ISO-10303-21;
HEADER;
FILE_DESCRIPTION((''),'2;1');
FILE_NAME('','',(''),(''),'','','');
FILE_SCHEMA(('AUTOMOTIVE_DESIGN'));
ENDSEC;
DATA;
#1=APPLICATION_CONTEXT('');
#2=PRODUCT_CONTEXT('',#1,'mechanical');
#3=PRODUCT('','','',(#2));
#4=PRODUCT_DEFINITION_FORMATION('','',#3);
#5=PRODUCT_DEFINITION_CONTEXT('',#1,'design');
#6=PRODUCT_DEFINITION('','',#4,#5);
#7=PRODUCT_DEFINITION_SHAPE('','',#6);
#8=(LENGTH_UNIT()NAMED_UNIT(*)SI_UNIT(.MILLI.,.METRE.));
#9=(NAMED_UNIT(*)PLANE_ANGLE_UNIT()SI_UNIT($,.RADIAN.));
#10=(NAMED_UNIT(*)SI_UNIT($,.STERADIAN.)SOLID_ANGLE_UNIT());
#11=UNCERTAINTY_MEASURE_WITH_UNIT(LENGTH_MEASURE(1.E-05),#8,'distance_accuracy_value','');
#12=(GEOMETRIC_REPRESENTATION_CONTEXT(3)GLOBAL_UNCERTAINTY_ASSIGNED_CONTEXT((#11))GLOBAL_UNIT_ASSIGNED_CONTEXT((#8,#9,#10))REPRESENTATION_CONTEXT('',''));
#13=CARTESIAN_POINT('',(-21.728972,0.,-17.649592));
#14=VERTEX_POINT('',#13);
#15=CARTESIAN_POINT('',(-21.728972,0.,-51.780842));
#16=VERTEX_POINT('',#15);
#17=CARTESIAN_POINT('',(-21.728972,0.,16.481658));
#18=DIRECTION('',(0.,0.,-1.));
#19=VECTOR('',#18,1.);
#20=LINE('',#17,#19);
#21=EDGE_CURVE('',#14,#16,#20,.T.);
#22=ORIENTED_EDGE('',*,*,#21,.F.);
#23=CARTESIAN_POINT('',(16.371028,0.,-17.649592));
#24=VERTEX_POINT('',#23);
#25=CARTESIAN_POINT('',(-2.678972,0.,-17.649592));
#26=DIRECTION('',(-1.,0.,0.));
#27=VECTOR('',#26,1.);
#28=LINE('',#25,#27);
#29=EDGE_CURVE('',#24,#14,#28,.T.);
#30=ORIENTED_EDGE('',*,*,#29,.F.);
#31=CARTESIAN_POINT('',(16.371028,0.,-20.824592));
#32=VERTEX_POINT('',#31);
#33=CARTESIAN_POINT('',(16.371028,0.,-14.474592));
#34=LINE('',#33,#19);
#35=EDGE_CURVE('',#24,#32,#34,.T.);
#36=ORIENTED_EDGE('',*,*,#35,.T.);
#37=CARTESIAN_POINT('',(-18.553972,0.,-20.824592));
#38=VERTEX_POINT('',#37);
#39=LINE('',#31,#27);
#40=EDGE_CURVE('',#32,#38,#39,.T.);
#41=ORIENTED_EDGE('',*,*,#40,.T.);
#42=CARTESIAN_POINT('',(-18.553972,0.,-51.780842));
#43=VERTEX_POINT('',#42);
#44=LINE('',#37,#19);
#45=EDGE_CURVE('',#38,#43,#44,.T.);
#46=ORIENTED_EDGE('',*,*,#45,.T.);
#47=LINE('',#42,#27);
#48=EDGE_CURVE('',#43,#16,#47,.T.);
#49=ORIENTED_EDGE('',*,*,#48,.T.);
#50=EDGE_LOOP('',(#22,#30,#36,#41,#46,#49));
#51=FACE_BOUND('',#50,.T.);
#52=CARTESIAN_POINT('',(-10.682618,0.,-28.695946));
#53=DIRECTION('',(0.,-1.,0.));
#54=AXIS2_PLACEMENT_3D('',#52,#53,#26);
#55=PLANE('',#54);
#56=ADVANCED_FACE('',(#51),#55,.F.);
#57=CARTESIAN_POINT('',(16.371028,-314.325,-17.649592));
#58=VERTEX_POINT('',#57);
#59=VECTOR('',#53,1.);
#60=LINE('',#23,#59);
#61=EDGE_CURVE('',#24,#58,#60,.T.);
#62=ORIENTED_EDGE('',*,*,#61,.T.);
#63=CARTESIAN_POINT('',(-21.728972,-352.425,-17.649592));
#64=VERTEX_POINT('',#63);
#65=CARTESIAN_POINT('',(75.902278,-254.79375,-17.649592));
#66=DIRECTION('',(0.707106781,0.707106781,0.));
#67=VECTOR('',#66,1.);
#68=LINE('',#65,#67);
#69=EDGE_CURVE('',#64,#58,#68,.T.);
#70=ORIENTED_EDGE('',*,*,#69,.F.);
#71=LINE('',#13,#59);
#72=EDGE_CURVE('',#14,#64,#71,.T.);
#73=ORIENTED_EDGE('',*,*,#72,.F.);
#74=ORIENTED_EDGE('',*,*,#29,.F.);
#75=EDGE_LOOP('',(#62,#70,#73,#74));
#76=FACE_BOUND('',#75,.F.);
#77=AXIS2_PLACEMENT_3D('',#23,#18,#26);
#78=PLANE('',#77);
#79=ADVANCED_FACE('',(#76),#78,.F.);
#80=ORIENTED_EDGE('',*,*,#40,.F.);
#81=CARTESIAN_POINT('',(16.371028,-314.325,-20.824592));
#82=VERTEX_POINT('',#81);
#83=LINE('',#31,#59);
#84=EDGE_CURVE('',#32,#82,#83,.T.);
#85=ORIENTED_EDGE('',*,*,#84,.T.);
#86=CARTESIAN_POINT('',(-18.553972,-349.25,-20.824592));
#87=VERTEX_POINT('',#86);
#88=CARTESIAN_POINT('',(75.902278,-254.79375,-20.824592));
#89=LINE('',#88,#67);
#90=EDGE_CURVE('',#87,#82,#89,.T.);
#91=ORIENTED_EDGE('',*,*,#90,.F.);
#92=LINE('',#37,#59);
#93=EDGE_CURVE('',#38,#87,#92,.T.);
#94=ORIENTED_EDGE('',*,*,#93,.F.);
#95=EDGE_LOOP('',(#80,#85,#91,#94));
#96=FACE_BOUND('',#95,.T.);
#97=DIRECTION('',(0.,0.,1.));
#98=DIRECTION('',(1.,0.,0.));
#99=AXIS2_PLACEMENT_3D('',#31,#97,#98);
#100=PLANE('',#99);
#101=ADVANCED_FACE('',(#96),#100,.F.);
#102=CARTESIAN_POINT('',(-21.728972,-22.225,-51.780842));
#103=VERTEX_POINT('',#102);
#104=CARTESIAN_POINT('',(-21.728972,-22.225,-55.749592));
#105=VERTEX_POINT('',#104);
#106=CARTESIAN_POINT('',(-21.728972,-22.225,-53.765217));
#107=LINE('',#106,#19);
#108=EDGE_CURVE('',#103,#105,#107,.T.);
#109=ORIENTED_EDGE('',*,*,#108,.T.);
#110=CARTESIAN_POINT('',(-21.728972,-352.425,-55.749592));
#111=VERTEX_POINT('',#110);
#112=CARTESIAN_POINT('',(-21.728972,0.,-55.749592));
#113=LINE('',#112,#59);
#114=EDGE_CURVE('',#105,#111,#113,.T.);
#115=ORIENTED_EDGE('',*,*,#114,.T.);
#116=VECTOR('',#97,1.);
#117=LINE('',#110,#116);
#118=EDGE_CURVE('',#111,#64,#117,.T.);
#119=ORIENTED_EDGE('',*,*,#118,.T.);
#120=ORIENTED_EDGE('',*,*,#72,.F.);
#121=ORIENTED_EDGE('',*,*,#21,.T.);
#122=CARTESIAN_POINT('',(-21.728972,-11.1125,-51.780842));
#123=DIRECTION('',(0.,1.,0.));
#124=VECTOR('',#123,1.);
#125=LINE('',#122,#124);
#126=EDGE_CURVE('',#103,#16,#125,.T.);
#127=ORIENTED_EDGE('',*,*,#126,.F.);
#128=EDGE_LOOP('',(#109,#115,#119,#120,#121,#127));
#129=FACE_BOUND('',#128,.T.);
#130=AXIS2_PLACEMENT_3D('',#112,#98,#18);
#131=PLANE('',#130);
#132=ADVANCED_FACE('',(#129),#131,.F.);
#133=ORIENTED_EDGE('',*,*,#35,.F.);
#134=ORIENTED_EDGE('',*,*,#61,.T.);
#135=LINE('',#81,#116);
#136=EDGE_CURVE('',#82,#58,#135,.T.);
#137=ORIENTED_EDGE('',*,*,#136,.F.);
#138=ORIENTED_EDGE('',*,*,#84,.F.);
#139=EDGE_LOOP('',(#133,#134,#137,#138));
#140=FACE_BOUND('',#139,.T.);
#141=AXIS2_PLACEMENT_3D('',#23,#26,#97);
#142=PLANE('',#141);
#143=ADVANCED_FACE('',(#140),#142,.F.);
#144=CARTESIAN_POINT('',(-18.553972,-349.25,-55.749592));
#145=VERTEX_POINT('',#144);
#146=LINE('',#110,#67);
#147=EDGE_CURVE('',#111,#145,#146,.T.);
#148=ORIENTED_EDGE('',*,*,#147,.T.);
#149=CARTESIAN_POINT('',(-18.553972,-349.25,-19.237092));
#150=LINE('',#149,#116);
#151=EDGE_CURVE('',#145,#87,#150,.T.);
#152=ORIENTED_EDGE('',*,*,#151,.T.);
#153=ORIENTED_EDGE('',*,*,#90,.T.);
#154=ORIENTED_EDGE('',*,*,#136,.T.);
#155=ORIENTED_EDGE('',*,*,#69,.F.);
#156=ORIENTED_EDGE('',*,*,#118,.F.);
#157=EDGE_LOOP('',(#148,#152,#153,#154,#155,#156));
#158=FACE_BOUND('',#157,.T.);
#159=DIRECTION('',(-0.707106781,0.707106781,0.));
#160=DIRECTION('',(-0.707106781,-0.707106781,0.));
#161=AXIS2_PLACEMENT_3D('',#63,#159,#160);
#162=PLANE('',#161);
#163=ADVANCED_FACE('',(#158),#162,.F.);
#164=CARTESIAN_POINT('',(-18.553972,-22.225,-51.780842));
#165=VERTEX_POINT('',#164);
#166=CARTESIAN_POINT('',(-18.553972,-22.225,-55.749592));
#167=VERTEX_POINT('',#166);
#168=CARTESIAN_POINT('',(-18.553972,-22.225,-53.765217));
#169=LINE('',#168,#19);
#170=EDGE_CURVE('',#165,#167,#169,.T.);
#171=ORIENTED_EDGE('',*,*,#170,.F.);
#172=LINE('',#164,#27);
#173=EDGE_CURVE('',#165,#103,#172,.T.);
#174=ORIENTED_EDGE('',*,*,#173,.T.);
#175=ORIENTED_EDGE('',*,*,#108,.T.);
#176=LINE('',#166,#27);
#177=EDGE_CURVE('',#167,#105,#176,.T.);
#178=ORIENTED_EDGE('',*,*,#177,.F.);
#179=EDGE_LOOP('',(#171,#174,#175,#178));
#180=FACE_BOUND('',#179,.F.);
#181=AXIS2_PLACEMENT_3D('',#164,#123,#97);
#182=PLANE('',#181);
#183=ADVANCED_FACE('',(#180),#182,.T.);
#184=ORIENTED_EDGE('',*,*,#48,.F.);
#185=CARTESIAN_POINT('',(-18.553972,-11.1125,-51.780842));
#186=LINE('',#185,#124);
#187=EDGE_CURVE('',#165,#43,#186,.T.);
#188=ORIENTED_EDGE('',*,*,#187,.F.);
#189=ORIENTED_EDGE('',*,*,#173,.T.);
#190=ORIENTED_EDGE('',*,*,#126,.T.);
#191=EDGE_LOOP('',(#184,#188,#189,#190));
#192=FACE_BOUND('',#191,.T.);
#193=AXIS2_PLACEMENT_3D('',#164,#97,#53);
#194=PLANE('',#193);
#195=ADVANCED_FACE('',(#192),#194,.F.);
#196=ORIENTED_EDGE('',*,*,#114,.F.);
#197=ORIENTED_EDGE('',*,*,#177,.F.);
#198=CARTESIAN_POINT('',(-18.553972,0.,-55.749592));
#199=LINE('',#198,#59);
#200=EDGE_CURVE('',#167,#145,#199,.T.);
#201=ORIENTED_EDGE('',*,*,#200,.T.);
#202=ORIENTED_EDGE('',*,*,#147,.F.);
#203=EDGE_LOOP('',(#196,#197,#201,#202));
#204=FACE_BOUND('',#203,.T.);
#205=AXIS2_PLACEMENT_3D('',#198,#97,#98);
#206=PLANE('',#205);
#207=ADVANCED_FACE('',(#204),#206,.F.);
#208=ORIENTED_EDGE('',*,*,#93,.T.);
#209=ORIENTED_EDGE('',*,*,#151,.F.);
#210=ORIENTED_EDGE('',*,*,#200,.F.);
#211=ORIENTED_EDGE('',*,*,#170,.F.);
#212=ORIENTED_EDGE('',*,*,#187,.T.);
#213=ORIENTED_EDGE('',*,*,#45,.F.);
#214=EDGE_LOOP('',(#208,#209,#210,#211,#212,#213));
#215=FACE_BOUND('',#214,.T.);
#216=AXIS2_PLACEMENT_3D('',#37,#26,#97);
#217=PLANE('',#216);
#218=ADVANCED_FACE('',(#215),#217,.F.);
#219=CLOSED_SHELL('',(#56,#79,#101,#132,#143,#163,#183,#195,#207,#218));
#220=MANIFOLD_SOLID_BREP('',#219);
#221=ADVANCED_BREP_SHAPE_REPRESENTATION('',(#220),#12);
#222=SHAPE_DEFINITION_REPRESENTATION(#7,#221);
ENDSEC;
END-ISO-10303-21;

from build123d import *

# Parameters (mm, degrees)
F1_DEPTH = 352.425
F2_W     = 22.225
F2_H     = 3.96875
F3_DEPTH = 25.4
F5_DEPTH = 38.1
F7_W     = 38.1
F7_H     = 38.1
F8_DEPTH = 352.426


with BuildPart() as f1:
    # F0 (on Front) → F1 (new body)
    with BuildSketch(Plane.XZ):
        Polygon((-18.553972, 20.450408), (-21.728972, 20.450408), (-21.728972, -17.649592), (16.371028, -17.649592), (16.371028, -14.474592), (-18.553972, -14.474592), align=None)
    extrude(amount=F1_DEPTH)

    # F2 (on face) → F3 (cut)
    with BuildSketch(Plane.YZ.offset(-18.553972)):
        with Locations((-11.1125, 18.466033)):
            Rectangle(F2_W, F2_H)
    extrude(amount=-F3_DEPTH, mode=Mode.SUBTRACT)

    # F4 (on face) → F5 (cut)
    with BuildSketch(Plane(origin=(0, 0, -17.649592), x_dir=(1, 0, 0), z_dir=(0, 0, -1))):
        Polygon((16.371028, 352.425), (-21.728972, 352.425), (16.371028, 314.325), align=None)
    extrude(amount=-F5_DEPTH, mode=Mode.SUBTRACT)

    # F6: F1 across face


with BuildPart() as f1_1:
    add(f1.part)
    add(f1.part.mirror(Plane(origin=(-3.041829, -166.868929, -17.649592), x_dir=(1, 0, 0), z_dir=(0, 0, -1))))

    # F7 (on face) → F8 (cut, through all)
    with BuildSketch(Plane(origin=(0, 0, 0), x_dir=(-1, 0, 0), z_dir=(0, 1, 0))):
        with Locations((2.678972, 1.400408)):
            Rectangle(F7_W, F7_H)
    extrude(amount=-F8_DEPTH, mode=Mode.SUBTRACT)


solid = f1_1.part
